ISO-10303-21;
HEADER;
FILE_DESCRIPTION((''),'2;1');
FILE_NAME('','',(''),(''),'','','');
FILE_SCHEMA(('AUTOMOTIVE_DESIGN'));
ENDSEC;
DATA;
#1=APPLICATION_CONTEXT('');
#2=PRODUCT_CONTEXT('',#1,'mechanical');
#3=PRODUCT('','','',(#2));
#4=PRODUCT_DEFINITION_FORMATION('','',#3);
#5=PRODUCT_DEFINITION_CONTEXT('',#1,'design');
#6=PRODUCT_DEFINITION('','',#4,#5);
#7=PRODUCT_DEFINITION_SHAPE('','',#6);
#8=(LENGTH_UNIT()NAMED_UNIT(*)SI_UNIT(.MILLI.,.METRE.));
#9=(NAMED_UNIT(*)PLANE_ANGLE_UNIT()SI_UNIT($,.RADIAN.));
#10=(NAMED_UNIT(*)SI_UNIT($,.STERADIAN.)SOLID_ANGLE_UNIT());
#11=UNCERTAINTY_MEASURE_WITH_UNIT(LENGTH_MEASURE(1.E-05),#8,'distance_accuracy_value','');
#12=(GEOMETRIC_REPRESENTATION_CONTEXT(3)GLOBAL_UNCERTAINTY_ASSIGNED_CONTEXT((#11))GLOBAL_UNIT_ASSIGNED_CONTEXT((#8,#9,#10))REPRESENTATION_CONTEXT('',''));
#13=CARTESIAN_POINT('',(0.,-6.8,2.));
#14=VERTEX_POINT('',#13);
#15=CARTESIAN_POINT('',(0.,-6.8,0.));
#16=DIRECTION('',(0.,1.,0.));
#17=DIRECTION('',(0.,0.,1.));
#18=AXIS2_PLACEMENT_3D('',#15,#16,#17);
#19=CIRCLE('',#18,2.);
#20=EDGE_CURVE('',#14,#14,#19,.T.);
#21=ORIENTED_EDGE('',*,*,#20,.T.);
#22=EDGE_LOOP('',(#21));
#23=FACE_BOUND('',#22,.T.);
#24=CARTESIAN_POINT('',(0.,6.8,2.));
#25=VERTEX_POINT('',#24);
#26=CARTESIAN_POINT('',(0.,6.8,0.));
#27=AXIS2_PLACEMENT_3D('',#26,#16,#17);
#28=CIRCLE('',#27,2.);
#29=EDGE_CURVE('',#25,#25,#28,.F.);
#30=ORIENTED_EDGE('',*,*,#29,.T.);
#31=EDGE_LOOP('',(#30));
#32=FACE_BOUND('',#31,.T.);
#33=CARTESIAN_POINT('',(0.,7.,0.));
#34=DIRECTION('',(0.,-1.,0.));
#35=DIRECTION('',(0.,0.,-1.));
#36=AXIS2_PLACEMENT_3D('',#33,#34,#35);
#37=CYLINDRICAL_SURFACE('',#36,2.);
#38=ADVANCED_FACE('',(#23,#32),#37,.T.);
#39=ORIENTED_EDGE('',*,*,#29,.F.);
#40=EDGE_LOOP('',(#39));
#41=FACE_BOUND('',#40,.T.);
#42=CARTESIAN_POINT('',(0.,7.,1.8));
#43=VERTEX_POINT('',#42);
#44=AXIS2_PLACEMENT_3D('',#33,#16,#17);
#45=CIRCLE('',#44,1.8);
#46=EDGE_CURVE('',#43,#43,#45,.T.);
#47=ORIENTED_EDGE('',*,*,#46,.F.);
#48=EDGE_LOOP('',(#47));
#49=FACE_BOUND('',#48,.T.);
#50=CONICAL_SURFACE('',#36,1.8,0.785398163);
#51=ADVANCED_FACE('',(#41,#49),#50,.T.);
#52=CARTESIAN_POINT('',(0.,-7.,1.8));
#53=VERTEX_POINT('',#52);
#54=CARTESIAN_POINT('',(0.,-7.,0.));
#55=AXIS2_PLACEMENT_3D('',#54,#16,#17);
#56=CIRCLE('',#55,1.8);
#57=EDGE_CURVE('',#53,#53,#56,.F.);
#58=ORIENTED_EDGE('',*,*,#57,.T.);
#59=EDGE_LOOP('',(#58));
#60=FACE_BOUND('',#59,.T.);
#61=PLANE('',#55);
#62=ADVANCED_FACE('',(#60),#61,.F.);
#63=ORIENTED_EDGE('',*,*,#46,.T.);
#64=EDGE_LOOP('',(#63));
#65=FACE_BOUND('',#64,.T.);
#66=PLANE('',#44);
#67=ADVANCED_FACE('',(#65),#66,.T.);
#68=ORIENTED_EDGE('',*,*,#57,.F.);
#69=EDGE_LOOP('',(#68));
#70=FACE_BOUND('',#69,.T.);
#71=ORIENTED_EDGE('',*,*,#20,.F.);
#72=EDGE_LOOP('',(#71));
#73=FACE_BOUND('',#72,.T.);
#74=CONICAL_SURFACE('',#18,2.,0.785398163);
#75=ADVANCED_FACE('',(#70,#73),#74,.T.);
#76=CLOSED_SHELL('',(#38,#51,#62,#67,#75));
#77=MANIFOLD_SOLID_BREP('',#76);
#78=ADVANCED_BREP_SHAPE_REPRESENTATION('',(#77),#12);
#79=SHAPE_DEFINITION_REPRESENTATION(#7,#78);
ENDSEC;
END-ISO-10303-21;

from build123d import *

# Parameters (mm, degrees)
BASES_R          = 2
BASE_DEPTH       = 7
BASECHAMFER_SIZE = 0.2


with BuildPart() as part:
    # BaseS → Base (new, symmetric)
    with BuildSketch(Plane(origin=(0, 0, 0), x_dir=(1, 0, 0), z_dir=(0, 1, 0))):
        Circle(BASES_R)
    extrude(amount=BASE_DEPTH, both=True)

    # BaseChamfer
    basechamfer_edges = [part.edges().sort_by_distance(p)[0] for p in [
        (-2, -7, 0),
        (-2, 7, 0),
    ]]
    chamfer(basechamfer_edges, length=BASECHAMFER_SIZE)


solid = part.part
